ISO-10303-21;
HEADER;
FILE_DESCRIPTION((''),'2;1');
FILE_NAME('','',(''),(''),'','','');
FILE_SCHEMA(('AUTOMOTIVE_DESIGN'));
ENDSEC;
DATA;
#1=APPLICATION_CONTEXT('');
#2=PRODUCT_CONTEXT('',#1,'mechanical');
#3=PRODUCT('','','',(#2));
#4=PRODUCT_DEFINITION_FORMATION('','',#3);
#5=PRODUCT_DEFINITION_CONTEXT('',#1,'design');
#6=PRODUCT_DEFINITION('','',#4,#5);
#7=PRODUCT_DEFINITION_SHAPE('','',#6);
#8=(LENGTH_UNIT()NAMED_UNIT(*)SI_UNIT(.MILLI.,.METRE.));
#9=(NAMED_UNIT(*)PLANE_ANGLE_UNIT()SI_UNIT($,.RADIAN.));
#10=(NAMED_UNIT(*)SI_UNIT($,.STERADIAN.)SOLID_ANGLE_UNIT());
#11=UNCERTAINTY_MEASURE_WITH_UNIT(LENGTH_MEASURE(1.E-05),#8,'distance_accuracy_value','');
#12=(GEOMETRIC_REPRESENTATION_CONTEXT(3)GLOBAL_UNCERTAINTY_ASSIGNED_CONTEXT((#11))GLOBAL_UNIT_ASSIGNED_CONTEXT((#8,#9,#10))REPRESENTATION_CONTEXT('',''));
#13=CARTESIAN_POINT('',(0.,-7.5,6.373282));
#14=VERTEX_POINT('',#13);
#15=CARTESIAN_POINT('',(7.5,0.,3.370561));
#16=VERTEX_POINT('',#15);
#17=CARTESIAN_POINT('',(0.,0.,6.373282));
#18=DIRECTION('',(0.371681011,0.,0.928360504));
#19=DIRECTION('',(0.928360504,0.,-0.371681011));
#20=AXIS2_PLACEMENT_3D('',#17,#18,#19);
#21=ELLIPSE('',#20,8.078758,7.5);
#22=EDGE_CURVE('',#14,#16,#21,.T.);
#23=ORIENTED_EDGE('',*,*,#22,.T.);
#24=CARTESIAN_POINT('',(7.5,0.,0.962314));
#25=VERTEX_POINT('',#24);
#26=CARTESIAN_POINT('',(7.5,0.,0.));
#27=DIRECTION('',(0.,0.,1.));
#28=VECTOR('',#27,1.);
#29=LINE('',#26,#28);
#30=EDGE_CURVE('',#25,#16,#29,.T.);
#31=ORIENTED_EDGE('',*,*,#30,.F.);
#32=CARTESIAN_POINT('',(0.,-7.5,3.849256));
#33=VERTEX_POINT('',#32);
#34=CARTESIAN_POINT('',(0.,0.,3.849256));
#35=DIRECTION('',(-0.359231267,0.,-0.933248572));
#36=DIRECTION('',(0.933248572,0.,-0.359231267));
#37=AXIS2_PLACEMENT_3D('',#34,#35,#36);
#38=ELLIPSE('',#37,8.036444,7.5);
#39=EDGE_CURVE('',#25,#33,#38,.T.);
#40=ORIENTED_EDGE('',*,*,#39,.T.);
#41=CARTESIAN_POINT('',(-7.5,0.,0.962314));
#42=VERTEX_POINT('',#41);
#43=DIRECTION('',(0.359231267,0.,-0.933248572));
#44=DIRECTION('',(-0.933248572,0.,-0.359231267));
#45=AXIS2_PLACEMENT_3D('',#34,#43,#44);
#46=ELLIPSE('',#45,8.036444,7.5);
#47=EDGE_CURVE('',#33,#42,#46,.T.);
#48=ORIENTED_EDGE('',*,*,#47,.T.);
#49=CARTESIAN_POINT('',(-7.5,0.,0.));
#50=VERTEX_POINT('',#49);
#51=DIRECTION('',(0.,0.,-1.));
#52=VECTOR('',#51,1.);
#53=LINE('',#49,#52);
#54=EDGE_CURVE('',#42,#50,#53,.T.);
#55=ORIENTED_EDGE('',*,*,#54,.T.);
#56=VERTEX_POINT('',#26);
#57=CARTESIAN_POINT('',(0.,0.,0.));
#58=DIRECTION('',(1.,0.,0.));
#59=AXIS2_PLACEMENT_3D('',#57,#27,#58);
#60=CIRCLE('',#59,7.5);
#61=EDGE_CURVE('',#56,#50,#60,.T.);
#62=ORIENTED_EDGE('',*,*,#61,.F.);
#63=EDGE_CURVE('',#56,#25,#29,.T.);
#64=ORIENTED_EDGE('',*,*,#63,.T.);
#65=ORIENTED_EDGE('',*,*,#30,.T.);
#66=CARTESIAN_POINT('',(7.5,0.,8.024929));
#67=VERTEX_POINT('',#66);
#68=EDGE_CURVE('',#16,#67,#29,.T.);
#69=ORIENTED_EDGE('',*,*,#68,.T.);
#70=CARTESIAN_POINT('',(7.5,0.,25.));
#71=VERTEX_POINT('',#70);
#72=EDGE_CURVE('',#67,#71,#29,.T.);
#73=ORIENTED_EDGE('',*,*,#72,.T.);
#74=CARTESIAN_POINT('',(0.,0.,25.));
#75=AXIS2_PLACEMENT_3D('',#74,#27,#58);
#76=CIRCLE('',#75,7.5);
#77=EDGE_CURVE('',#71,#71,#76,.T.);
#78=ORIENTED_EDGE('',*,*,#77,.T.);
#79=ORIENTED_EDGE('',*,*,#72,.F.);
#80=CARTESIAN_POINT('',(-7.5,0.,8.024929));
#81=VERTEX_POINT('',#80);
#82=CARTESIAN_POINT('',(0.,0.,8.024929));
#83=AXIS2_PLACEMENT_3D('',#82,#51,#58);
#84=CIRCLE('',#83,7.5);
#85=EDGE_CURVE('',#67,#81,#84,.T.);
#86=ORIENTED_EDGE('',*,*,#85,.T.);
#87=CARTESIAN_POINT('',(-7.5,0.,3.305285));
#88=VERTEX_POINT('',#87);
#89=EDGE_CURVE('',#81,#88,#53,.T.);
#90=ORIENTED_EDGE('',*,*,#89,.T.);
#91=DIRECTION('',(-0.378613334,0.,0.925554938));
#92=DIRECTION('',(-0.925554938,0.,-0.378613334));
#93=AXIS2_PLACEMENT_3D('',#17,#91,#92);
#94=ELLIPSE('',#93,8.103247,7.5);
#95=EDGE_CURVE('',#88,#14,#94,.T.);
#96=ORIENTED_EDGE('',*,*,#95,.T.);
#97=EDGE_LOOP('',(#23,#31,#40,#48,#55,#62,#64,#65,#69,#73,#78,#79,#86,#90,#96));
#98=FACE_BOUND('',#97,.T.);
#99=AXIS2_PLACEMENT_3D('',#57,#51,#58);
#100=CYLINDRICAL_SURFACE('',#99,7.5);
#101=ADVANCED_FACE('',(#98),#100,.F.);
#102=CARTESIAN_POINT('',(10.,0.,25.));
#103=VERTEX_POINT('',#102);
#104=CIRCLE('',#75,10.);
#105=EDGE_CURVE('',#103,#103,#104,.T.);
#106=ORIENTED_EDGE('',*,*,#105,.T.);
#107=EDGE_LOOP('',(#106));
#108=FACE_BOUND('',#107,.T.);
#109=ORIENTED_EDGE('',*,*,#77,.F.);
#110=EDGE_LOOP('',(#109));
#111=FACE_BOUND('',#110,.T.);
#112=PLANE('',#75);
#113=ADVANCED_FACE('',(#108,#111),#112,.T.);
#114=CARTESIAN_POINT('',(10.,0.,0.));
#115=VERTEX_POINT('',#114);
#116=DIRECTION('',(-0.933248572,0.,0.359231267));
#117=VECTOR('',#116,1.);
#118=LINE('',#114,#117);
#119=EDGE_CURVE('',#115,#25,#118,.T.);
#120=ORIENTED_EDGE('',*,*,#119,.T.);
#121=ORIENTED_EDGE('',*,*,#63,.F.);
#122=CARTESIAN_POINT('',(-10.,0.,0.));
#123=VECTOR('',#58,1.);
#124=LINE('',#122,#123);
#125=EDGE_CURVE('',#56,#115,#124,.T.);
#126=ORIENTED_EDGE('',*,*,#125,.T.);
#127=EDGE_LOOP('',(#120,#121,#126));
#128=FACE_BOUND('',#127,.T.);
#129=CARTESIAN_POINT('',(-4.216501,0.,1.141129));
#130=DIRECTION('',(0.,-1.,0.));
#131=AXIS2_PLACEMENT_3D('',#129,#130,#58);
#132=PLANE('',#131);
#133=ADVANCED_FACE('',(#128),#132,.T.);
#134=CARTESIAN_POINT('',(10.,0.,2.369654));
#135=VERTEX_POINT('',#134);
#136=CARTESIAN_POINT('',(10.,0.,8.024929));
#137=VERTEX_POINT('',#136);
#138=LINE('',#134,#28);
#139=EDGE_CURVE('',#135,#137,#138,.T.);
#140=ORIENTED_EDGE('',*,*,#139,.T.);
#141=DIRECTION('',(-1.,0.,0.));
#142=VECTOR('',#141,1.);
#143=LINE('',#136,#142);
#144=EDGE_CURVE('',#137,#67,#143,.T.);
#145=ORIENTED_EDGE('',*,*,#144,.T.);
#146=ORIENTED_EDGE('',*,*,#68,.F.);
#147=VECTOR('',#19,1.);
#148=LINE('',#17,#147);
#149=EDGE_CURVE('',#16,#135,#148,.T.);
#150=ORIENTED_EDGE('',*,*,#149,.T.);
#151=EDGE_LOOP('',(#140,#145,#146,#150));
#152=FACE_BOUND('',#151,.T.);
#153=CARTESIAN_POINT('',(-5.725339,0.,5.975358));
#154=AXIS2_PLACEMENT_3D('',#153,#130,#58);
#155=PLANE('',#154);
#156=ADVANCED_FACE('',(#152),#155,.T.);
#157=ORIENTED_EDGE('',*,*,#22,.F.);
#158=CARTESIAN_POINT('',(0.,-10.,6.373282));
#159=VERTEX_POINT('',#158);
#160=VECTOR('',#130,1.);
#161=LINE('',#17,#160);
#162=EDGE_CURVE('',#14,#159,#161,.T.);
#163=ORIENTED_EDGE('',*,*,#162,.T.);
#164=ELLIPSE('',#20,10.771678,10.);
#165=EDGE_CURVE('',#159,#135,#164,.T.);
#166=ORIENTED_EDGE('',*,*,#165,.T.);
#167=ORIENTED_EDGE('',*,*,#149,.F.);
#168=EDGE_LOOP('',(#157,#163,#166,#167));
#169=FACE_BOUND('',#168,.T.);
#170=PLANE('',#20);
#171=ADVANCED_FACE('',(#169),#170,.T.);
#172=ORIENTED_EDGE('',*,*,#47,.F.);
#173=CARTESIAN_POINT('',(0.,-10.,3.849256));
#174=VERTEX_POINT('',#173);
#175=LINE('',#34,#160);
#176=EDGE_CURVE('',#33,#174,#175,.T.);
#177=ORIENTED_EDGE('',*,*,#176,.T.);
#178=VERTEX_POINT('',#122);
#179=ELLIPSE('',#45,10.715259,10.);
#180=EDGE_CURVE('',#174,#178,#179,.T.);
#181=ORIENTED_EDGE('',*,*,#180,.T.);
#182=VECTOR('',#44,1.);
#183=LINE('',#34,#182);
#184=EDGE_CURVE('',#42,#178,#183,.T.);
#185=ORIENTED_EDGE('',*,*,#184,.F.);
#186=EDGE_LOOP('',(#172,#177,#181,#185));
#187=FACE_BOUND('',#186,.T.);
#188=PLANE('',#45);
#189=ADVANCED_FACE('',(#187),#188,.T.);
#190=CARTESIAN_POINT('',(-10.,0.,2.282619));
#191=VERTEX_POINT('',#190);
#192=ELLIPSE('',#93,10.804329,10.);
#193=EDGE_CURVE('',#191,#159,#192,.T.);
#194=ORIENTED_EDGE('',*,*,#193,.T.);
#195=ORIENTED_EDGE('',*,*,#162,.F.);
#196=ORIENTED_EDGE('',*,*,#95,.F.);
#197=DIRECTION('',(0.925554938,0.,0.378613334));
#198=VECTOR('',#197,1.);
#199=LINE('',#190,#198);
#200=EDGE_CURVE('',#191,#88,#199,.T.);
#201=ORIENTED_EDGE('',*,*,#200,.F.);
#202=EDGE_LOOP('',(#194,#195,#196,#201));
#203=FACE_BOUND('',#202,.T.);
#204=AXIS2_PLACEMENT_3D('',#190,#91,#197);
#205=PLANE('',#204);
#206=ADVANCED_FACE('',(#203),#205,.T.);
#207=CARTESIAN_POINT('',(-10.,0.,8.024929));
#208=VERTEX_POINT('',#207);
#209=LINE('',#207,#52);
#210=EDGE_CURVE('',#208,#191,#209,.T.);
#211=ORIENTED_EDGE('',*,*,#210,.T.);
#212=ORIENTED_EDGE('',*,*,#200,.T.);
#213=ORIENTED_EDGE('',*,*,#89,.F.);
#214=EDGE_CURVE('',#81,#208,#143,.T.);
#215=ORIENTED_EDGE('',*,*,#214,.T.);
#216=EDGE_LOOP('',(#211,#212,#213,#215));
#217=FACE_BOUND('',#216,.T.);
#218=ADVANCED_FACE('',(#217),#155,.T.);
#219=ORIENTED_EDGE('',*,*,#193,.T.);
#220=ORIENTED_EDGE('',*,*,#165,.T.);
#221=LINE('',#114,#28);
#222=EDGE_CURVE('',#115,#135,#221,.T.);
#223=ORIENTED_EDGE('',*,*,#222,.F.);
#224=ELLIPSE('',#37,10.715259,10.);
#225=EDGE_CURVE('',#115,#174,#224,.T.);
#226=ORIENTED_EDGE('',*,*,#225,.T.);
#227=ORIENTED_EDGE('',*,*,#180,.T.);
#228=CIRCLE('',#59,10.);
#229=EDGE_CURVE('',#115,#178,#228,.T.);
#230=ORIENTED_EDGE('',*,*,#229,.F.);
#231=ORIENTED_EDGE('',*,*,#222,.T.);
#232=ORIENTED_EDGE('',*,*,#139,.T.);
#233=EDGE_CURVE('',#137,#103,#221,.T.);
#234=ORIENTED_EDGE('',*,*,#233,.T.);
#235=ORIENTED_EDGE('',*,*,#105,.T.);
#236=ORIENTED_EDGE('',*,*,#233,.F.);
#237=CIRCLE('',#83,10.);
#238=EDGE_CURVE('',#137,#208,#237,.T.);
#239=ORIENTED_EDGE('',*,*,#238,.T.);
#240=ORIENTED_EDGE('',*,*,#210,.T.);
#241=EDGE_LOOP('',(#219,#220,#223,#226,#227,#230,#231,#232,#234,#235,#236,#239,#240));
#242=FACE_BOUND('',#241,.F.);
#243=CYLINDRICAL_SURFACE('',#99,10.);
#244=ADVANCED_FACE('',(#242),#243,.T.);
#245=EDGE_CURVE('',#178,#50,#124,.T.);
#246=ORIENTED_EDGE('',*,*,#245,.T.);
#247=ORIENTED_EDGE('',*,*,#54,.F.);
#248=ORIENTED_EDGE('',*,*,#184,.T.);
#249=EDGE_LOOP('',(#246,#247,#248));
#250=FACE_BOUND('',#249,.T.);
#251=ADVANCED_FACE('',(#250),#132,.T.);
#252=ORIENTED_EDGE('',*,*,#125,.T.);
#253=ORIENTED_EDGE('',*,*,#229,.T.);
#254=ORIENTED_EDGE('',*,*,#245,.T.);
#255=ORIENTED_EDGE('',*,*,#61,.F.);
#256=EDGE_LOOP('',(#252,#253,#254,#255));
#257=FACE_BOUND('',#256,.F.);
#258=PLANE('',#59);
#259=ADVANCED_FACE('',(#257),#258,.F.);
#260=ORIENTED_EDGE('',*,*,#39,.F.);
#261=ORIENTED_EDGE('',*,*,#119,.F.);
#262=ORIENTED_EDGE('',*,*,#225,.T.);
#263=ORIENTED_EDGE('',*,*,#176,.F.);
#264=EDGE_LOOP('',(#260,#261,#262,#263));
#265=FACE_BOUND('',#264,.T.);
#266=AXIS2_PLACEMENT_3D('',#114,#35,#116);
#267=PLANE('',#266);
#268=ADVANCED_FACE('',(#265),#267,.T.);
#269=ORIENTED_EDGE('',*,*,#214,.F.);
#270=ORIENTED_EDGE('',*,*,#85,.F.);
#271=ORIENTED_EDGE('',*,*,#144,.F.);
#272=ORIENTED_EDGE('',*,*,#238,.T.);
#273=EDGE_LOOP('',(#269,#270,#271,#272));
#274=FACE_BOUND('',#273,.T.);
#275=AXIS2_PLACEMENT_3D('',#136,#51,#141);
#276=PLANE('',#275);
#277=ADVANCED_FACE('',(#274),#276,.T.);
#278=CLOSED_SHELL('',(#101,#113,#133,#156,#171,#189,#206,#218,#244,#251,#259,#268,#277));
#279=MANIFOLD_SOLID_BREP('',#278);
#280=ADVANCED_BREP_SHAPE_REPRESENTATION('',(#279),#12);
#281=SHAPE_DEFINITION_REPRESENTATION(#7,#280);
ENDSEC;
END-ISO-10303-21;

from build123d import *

# Parameters (mm, degrees)
F0_R     = 10
F0_R_2   = 7.5
F1_DEPTH = 25
F3_DEPTH = 25


with BuildPart() as f1:
    # F0 (on Top) → F1 (new body)
    with BuildSketch(Plane.XY):
        Circle(F0_R)
        Circle(F0_R_2, mode=Mode.SUBTRACT)
    extrude(amount=F1_DEPTH)

    # F2 (on Front) → F3 (cut)
    with BuildSketch(Plane.XZ):
        Polygon((0, 3.849256), (-10, 0), (0, 0), align=None)
        Polygon((0, 3.849256), (0, 0), (10, 0), align=None)
        Polygon((-10, 8.024929), (-10, 2.282619), (0, 6.373282), (0, 8.024929), align=None)
        Polygon((0, 8.024929), (0, 6.373282), (10, 2.369654), (10, 8.024929), align=None)
    extrude(amount=F3_DEPTH, mode=Mode.SUBTRACT)


solid = f1.part
